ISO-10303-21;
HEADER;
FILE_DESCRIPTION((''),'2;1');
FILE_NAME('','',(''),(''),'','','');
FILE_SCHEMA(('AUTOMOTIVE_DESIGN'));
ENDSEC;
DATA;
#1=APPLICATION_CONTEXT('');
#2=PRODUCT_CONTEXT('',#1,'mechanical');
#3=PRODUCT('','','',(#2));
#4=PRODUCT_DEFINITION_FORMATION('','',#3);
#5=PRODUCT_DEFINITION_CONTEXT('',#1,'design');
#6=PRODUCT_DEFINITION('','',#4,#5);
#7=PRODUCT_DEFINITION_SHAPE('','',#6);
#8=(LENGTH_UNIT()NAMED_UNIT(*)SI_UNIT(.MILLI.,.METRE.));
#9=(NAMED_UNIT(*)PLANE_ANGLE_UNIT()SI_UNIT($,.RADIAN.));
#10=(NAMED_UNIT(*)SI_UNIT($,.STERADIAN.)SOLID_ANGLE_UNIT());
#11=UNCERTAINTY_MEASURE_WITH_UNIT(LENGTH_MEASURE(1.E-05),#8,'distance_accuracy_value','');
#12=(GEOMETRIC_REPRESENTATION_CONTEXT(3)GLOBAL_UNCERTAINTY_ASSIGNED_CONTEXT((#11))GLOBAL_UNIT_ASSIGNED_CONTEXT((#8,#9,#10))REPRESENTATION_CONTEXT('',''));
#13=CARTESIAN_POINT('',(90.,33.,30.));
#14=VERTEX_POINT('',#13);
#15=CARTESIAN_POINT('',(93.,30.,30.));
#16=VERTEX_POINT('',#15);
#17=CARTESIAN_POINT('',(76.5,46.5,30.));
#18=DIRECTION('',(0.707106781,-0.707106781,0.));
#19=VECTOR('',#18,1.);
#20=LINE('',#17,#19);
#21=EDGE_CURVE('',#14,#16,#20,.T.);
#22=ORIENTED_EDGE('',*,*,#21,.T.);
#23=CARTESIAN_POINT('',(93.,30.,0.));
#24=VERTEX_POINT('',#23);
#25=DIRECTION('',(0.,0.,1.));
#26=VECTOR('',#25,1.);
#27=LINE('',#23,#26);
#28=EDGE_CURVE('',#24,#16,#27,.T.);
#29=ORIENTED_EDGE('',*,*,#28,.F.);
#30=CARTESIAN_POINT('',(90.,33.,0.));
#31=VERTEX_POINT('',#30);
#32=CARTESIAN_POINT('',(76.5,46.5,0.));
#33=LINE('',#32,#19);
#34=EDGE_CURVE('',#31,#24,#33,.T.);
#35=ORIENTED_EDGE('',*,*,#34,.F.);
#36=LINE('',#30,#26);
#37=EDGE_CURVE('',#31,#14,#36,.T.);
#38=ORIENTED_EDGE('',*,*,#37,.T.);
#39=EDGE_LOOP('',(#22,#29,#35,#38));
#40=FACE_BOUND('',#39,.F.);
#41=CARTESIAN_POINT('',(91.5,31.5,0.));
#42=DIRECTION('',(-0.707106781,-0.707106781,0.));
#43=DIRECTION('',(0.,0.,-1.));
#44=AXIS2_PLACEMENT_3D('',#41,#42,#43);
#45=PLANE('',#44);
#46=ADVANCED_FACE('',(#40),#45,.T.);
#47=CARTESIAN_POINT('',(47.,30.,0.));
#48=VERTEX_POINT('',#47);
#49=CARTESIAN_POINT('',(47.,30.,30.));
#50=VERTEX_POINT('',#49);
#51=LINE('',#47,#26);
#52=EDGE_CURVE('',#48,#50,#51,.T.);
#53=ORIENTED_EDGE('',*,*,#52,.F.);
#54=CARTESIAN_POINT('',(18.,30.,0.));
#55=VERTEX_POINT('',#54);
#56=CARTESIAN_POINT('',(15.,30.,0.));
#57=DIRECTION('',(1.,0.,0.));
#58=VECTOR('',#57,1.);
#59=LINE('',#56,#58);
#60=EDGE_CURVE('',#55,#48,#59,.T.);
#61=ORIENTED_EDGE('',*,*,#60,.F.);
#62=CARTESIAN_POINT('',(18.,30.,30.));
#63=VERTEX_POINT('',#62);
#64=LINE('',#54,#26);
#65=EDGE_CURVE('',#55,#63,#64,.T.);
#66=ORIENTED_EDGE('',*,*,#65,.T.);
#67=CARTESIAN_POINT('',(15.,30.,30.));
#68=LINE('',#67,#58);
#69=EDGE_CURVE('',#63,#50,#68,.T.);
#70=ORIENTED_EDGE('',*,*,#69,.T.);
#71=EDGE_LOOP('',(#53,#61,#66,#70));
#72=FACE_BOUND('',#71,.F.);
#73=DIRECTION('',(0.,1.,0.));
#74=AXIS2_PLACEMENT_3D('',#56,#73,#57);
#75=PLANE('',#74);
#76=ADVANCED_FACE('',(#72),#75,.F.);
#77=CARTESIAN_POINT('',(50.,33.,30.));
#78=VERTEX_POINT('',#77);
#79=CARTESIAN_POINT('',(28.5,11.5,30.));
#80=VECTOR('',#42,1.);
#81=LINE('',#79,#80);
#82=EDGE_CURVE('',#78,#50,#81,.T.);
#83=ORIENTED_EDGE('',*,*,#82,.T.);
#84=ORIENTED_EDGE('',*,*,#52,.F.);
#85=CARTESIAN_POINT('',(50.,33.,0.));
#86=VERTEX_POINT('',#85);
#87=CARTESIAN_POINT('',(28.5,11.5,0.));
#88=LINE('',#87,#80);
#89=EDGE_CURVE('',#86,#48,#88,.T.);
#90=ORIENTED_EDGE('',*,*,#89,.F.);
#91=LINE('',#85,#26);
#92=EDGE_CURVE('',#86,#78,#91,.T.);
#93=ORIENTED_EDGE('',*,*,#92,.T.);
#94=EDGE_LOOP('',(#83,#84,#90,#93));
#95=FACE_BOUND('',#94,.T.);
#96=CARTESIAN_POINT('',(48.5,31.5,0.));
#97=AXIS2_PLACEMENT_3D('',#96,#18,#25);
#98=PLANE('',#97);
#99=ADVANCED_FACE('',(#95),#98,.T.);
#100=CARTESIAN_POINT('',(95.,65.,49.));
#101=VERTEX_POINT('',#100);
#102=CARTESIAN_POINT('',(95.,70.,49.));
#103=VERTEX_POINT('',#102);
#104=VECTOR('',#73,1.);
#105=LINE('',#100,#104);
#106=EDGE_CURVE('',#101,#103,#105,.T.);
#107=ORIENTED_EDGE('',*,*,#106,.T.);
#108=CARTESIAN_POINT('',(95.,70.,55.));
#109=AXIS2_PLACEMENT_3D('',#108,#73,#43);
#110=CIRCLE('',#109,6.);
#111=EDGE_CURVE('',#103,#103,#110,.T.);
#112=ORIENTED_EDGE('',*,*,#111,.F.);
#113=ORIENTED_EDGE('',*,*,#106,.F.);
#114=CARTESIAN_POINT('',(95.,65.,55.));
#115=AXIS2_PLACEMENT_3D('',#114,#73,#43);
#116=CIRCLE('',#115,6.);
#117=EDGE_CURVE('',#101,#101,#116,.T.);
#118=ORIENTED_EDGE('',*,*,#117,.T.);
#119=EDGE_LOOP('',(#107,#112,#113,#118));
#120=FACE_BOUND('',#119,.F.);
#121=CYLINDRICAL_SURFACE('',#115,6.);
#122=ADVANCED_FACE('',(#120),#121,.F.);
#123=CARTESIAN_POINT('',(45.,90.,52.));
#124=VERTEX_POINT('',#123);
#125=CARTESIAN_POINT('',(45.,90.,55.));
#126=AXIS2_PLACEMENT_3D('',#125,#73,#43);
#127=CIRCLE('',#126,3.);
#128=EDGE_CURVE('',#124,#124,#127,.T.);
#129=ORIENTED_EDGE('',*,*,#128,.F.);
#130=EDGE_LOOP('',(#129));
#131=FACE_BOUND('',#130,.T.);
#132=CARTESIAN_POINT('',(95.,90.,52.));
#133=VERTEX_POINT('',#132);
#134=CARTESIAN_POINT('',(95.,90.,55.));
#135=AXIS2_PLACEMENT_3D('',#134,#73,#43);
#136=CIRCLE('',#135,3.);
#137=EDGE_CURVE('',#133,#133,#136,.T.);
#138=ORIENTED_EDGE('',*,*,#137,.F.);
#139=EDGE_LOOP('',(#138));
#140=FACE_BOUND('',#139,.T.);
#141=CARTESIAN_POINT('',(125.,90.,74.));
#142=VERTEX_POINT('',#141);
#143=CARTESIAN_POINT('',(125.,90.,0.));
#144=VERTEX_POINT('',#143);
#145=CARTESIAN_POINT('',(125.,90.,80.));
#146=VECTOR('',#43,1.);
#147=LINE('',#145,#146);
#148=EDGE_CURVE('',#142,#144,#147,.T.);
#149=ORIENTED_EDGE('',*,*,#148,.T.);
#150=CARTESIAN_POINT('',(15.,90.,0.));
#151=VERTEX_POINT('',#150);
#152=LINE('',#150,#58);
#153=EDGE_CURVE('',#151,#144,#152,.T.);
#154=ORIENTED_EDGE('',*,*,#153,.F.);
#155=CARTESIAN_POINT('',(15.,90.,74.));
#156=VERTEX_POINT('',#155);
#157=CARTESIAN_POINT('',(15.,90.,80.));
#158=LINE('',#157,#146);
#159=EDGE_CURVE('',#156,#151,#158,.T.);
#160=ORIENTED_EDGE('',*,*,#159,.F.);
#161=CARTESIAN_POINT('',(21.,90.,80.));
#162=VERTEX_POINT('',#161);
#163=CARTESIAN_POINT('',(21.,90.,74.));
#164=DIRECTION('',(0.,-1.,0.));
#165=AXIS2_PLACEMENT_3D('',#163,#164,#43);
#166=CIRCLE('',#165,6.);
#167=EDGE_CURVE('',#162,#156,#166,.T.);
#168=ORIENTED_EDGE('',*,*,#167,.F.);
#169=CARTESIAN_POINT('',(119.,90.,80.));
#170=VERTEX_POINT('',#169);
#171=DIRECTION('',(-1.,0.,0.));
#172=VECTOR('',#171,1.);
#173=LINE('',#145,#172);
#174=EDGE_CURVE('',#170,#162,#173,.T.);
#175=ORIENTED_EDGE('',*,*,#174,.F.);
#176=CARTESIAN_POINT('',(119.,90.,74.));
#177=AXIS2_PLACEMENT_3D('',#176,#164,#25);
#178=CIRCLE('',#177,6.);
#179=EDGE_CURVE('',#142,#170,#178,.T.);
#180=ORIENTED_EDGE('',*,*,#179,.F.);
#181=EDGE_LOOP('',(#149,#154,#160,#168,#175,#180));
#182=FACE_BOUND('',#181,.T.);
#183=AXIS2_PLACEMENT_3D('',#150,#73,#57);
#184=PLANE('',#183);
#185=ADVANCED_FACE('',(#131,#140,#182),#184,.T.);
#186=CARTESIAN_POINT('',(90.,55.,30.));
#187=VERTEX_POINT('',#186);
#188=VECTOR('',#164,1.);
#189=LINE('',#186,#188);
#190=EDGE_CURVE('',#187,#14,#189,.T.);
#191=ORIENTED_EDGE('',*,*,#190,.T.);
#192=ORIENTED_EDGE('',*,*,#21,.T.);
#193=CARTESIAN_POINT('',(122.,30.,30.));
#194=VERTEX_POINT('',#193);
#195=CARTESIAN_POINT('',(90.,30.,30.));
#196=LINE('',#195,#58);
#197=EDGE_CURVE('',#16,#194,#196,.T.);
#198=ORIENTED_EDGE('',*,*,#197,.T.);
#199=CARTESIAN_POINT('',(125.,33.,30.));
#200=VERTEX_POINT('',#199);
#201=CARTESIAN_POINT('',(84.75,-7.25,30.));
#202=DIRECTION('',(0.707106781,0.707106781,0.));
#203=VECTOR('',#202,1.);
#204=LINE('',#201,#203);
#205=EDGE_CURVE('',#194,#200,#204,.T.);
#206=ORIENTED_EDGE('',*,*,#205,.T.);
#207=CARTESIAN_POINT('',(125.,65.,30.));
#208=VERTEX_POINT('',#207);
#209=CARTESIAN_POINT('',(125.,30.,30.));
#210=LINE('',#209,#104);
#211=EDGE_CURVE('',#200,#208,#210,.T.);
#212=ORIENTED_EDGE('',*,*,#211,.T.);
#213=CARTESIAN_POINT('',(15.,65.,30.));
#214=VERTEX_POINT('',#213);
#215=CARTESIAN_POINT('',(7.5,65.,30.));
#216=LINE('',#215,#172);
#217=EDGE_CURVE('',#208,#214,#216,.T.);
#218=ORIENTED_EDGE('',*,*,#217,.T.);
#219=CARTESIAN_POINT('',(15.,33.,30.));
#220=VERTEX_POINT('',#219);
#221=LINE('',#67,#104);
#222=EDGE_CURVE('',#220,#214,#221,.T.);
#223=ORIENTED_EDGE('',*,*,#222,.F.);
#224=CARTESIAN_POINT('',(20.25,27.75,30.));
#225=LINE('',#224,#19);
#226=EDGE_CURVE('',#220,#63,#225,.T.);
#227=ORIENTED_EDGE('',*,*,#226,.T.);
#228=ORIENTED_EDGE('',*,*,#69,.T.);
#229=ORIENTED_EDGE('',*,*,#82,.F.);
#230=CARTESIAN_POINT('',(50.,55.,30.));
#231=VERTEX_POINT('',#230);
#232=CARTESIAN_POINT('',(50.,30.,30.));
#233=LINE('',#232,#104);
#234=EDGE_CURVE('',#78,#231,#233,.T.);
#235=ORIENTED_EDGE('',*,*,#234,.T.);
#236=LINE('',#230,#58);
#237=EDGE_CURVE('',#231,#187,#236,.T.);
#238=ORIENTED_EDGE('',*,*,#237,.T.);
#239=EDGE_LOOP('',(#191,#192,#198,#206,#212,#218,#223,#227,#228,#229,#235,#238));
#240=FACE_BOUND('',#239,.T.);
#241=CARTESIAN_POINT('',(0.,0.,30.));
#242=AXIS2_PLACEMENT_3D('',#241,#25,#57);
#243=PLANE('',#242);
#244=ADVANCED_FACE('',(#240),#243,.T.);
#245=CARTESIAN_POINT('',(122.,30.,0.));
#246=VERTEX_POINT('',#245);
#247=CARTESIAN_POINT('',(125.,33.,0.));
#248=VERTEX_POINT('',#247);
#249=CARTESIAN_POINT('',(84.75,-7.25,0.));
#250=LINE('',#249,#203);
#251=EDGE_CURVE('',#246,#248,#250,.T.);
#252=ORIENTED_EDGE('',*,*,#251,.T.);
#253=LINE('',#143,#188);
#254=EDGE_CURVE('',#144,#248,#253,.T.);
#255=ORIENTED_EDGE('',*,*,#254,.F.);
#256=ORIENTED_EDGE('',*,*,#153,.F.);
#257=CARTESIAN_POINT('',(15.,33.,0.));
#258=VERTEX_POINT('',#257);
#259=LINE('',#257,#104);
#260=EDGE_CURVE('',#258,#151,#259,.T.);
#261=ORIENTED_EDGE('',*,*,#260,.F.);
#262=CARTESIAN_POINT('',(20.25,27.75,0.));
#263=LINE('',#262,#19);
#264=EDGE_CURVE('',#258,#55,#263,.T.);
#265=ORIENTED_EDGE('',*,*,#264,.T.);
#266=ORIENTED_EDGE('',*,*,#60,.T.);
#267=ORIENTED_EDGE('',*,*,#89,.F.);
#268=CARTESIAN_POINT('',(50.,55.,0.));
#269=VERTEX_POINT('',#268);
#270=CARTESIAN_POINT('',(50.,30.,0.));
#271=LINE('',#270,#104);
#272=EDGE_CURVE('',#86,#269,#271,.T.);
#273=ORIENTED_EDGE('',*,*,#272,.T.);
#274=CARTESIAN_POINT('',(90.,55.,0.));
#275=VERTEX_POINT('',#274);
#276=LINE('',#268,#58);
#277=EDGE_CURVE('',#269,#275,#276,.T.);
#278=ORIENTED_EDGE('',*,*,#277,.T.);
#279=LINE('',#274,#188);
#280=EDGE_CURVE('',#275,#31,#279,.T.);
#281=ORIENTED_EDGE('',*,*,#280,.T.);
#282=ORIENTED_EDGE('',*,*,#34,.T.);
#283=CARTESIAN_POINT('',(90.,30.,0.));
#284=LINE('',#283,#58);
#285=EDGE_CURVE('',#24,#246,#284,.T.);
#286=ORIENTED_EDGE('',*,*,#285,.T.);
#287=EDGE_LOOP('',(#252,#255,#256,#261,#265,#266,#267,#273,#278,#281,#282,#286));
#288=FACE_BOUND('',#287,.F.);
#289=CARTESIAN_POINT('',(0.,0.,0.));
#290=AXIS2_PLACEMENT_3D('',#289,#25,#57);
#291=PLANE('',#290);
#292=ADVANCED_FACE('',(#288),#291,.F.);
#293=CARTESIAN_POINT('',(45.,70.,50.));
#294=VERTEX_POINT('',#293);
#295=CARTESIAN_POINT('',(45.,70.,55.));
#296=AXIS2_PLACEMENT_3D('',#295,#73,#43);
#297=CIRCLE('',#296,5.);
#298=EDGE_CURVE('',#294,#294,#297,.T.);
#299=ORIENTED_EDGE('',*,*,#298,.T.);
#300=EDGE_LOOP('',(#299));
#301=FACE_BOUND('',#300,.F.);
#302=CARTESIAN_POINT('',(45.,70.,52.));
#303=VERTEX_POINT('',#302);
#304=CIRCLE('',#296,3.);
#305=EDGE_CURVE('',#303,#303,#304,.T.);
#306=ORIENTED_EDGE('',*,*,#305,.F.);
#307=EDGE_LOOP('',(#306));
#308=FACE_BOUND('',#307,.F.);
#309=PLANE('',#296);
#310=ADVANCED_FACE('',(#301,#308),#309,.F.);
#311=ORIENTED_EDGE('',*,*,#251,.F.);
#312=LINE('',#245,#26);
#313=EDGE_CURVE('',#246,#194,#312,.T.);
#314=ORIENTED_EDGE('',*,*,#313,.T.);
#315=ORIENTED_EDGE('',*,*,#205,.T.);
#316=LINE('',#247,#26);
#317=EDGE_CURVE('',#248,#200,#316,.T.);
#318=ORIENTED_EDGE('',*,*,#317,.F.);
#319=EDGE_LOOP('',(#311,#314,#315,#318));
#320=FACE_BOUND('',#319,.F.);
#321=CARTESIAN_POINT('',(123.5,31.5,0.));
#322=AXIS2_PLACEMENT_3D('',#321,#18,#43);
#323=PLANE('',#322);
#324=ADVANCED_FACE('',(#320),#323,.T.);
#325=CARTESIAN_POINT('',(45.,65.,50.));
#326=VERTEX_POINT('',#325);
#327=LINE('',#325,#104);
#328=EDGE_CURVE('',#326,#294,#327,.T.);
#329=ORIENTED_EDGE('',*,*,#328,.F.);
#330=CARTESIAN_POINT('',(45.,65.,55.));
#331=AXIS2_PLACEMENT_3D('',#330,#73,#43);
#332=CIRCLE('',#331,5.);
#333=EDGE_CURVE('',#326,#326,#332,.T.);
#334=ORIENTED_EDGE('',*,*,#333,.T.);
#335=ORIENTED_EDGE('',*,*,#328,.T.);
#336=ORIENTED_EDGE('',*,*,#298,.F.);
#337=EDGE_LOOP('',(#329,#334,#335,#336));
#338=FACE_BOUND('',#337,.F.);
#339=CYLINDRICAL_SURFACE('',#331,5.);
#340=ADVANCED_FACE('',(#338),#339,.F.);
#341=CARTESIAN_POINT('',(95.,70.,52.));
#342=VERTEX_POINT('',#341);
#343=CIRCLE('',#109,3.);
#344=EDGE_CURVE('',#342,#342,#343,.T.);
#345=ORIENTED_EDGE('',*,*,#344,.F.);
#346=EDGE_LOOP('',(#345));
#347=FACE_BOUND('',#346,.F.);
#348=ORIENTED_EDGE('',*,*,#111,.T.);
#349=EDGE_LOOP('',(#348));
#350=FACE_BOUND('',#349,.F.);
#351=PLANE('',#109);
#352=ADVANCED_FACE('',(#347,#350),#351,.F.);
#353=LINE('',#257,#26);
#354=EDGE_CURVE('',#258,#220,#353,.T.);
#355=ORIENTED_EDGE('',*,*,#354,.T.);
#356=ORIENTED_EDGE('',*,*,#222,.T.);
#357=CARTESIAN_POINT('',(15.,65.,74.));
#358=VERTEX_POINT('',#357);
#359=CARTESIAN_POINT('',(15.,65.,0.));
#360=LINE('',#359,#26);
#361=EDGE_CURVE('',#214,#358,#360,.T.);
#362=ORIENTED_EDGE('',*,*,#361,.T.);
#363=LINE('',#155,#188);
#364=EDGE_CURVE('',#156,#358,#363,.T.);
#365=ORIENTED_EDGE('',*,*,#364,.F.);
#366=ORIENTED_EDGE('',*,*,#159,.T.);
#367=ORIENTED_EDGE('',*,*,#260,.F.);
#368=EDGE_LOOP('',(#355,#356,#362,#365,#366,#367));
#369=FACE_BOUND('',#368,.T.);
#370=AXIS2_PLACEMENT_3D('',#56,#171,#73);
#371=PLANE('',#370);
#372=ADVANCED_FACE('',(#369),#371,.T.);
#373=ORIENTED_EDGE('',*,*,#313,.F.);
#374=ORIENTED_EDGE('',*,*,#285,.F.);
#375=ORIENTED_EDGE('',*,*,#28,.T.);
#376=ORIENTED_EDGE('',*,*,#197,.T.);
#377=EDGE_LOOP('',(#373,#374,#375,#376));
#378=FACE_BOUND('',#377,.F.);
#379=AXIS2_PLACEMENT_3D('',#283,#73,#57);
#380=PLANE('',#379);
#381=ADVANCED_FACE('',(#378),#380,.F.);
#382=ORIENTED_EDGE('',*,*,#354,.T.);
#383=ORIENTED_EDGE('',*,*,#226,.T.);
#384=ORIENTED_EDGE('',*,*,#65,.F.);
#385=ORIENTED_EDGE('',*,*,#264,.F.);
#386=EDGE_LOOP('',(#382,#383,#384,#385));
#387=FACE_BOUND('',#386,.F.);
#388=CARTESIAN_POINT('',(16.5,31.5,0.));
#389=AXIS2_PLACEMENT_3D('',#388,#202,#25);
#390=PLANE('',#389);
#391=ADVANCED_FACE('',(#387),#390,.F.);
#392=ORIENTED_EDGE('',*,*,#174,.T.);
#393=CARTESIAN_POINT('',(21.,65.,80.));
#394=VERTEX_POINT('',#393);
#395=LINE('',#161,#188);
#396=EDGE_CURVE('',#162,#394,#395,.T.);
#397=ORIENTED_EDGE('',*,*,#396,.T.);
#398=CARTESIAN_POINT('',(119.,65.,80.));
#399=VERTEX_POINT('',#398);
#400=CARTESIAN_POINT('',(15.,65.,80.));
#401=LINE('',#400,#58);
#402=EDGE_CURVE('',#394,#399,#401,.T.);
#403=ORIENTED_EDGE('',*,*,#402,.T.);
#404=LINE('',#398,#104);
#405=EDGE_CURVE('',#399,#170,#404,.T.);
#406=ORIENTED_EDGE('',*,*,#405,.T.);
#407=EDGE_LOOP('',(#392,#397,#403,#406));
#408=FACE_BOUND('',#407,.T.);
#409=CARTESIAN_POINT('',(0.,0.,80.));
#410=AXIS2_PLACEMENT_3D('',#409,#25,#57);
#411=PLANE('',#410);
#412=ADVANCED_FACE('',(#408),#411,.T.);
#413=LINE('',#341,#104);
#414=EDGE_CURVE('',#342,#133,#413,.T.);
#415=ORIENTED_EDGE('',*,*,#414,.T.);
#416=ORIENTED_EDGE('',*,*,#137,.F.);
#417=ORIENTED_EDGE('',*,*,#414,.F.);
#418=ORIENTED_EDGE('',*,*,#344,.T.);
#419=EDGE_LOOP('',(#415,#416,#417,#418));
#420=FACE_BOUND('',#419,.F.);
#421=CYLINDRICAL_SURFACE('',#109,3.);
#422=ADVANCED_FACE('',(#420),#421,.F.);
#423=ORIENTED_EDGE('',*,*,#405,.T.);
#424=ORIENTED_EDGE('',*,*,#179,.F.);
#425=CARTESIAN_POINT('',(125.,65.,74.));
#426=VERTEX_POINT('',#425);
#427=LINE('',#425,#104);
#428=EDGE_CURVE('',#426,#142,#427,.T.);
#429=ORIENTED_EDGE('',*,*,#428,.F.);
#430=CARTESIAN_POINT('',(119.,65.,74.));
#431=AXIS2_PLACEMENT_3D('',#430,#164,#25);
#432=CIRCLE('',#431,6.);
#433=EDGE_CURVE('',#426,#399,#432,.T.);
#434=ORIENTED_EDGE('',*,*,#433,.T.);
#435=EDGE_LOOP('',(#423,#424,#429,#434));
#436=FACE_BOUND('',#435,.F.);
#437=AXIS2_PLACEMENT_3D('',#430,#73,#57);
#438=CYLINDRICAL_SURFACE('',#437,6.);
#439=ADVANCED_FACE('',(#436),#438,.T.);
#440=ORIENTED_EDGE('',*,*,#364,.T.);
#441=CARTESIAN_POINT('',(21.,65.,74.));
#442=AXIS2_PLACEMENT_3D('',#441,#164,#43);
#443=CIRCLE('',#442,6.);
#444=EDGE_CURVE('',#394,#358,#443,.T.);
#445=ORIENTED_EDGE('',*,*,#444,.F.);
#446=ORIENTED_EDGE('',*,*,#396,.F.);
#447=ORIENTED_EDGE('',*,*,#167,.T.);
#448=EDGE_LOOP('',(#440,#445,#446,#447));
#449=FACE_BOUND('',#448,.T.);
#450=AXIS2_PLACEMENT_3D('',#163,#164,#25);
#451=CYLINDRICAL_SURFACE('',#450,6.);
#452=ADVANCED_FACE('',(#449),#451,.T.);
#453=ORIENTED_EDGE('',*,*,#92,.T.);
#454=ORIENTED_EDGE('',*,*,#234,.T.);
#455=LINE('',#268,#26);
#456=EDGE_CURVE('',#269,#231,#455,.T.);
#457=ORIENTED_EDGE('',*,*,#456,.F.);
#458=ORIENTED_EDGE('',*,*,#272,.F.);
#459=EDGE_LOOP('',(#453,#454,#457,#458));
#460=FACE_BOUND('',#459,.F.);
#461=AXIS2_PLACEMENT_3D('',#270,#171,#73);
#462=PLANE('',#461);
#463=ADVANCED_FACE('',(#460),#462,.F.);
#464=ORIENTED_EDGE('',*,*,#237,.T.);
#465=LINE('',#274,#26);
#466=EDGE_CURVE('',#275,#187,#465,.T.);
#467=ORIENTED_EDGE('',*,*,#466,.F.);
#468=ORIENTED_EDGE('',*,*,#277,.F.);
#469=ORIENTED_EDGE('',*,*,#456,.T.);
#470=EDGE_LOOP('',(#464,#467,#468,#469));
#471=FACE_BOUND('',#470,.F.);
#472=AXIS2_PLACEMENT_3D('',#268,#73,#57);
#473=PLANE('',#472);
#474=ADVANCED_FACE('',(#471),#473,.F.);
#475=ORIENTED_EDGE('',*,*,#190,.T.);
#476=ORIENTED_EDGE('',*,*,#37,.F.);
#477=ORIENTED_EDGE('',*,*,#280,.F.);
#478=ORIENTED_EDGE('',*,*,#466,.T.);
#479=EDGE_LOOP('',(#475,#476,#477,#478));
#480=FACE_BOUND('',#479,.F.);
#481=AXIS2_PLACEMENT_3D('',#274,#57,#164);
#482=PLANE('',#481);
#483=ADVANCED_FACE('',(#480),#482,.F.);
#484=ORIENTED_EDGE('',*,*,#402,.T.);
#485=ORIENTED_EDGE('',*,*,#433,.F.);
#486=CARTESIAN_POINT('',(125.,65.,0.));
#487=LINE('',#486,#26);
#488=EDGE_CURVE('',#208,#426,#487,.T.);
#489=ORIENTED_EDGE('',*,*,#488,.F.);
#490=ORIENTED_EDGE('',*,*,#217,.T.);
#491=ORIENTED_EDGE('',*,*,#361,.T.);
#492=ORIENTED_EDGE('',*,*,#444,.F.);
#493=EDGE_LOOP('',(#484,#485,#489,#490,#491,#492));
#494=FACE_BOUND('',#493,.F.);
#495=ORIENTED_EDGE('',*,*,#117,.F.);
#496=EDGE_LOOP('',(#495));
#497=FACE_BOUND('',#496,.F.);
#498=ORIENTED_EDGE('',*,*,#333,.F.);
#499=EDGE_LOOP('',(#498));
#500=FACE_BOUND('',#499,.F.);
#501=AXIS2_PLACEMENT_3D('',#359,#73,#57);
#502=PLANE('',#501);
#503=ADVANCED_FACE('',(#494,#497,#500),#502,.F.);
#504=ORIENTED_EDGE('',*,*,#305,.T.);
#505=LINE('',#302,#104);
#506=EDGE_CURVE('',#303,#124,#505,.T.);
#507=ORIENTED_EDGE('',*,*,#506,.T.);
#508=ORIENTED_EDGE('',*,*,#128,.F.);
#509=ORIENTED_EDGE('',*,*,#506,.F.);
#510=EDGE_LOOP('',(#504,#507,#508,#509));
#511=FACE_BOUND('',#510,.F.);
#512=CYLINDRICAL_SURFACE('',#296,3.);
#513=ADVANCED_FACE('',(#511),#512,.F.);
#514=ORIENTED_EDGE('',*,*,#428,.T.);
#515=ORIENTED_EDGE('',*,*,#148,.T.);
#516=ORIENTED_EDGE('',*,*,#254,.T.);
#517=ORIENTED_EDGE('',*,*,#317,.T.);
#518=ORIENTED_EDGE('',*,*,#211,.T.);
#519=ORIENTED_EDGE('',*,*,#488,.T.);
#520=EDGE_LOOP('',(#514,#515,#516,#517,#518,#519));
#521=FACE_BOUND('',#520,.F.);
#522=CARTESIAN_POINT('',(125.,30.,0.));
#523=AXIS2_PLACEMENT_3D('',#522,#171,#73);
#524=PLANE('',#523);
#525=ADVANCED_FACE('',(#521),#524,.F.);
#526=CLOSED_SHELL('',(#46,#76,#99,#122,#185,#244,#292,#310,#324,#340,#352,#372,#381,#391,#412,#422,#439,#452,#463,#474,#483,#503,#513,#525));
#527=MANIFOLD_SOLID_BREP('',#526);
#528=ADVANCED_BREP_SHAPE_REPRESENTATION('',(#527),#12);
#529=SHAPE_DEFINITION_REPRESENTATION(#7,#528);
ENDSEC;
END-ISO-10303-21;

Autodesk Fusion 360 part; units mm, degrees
sketch "Sketch1" plane through (0, 0, 0) normal (0, 0, 1) x (1, 0, 0)
  line L0 (15, 30) -> (50, 30)
  line L1 (50, 30) -> (50, 55)
  line L2 (50, 55) -> (90, 55)
  line L3 (90, 55) -> (90, 30)
  line L4 (90, 30) -> (125, 30)
  line L5 (15, 30) -> (15, 90)
  line L6 (125, 30) -> (125, 90)
  line L7 (15, 90) -> (125, 90)
  dimension "d6" = 60
extrude "Extrude1" add sketch "Sketch1" along normal blind 30 makes body 1
chamfer "Chamfer1" distance 3 angle 45 1 edges at (50, 30, 15) on bodies 1
chamfer "Chamfer2" distance 3 angle 45 1 edges at (90, 30, 15) on bodies 1
chamfer "Chamfer3" distance 3 angle 45 1 edges at (125, 30, 15) on bodies 1
chamfer "Chamfer4" distance 3 angle 45 1 edges at (15, 30, 15) on bodies 1
sketch "Sketch2" plane through (0, 0, 0) normal (0, 0, 1) x (1, 0, 0)
  line L0 (15, 90) -> (15, 65)
  line L1 (15, 65) -> (125, 65)
  line L2 (125, 65) -> (125, 90)
  line L3 (125, 90) -> (15, 90)
extrude "Extrude2" add sketch "Sketch2" along normal blind 80 separate body makes body 2
combine "Combine1" operation add target body 1 tool bodies 2
fillet "Fillet1" radius 6 1 edges at (125, 77.5, 80) on bodies 1
fillet "Fillet2" radius 6 1 edges at (15, 77.5, 80) on bodies 1
sketch "Sketch3" plane through (0, 0, 0) normal (0, 1, 0) x (1, 0, 0)
hole "Hole1" at (45, 65, 55) direction (0, 1, 0) diameter 6 depth 25 tip angle 180 counterbore diameter 10 counterbore depth 5 bodies 1
hole "Hole2" at (95, 65, 55) direction (0, 1, 0) diameter 6 depth 25 tip angle 180 counterbore diameter 12 counterbore depth 5 bodies 1
